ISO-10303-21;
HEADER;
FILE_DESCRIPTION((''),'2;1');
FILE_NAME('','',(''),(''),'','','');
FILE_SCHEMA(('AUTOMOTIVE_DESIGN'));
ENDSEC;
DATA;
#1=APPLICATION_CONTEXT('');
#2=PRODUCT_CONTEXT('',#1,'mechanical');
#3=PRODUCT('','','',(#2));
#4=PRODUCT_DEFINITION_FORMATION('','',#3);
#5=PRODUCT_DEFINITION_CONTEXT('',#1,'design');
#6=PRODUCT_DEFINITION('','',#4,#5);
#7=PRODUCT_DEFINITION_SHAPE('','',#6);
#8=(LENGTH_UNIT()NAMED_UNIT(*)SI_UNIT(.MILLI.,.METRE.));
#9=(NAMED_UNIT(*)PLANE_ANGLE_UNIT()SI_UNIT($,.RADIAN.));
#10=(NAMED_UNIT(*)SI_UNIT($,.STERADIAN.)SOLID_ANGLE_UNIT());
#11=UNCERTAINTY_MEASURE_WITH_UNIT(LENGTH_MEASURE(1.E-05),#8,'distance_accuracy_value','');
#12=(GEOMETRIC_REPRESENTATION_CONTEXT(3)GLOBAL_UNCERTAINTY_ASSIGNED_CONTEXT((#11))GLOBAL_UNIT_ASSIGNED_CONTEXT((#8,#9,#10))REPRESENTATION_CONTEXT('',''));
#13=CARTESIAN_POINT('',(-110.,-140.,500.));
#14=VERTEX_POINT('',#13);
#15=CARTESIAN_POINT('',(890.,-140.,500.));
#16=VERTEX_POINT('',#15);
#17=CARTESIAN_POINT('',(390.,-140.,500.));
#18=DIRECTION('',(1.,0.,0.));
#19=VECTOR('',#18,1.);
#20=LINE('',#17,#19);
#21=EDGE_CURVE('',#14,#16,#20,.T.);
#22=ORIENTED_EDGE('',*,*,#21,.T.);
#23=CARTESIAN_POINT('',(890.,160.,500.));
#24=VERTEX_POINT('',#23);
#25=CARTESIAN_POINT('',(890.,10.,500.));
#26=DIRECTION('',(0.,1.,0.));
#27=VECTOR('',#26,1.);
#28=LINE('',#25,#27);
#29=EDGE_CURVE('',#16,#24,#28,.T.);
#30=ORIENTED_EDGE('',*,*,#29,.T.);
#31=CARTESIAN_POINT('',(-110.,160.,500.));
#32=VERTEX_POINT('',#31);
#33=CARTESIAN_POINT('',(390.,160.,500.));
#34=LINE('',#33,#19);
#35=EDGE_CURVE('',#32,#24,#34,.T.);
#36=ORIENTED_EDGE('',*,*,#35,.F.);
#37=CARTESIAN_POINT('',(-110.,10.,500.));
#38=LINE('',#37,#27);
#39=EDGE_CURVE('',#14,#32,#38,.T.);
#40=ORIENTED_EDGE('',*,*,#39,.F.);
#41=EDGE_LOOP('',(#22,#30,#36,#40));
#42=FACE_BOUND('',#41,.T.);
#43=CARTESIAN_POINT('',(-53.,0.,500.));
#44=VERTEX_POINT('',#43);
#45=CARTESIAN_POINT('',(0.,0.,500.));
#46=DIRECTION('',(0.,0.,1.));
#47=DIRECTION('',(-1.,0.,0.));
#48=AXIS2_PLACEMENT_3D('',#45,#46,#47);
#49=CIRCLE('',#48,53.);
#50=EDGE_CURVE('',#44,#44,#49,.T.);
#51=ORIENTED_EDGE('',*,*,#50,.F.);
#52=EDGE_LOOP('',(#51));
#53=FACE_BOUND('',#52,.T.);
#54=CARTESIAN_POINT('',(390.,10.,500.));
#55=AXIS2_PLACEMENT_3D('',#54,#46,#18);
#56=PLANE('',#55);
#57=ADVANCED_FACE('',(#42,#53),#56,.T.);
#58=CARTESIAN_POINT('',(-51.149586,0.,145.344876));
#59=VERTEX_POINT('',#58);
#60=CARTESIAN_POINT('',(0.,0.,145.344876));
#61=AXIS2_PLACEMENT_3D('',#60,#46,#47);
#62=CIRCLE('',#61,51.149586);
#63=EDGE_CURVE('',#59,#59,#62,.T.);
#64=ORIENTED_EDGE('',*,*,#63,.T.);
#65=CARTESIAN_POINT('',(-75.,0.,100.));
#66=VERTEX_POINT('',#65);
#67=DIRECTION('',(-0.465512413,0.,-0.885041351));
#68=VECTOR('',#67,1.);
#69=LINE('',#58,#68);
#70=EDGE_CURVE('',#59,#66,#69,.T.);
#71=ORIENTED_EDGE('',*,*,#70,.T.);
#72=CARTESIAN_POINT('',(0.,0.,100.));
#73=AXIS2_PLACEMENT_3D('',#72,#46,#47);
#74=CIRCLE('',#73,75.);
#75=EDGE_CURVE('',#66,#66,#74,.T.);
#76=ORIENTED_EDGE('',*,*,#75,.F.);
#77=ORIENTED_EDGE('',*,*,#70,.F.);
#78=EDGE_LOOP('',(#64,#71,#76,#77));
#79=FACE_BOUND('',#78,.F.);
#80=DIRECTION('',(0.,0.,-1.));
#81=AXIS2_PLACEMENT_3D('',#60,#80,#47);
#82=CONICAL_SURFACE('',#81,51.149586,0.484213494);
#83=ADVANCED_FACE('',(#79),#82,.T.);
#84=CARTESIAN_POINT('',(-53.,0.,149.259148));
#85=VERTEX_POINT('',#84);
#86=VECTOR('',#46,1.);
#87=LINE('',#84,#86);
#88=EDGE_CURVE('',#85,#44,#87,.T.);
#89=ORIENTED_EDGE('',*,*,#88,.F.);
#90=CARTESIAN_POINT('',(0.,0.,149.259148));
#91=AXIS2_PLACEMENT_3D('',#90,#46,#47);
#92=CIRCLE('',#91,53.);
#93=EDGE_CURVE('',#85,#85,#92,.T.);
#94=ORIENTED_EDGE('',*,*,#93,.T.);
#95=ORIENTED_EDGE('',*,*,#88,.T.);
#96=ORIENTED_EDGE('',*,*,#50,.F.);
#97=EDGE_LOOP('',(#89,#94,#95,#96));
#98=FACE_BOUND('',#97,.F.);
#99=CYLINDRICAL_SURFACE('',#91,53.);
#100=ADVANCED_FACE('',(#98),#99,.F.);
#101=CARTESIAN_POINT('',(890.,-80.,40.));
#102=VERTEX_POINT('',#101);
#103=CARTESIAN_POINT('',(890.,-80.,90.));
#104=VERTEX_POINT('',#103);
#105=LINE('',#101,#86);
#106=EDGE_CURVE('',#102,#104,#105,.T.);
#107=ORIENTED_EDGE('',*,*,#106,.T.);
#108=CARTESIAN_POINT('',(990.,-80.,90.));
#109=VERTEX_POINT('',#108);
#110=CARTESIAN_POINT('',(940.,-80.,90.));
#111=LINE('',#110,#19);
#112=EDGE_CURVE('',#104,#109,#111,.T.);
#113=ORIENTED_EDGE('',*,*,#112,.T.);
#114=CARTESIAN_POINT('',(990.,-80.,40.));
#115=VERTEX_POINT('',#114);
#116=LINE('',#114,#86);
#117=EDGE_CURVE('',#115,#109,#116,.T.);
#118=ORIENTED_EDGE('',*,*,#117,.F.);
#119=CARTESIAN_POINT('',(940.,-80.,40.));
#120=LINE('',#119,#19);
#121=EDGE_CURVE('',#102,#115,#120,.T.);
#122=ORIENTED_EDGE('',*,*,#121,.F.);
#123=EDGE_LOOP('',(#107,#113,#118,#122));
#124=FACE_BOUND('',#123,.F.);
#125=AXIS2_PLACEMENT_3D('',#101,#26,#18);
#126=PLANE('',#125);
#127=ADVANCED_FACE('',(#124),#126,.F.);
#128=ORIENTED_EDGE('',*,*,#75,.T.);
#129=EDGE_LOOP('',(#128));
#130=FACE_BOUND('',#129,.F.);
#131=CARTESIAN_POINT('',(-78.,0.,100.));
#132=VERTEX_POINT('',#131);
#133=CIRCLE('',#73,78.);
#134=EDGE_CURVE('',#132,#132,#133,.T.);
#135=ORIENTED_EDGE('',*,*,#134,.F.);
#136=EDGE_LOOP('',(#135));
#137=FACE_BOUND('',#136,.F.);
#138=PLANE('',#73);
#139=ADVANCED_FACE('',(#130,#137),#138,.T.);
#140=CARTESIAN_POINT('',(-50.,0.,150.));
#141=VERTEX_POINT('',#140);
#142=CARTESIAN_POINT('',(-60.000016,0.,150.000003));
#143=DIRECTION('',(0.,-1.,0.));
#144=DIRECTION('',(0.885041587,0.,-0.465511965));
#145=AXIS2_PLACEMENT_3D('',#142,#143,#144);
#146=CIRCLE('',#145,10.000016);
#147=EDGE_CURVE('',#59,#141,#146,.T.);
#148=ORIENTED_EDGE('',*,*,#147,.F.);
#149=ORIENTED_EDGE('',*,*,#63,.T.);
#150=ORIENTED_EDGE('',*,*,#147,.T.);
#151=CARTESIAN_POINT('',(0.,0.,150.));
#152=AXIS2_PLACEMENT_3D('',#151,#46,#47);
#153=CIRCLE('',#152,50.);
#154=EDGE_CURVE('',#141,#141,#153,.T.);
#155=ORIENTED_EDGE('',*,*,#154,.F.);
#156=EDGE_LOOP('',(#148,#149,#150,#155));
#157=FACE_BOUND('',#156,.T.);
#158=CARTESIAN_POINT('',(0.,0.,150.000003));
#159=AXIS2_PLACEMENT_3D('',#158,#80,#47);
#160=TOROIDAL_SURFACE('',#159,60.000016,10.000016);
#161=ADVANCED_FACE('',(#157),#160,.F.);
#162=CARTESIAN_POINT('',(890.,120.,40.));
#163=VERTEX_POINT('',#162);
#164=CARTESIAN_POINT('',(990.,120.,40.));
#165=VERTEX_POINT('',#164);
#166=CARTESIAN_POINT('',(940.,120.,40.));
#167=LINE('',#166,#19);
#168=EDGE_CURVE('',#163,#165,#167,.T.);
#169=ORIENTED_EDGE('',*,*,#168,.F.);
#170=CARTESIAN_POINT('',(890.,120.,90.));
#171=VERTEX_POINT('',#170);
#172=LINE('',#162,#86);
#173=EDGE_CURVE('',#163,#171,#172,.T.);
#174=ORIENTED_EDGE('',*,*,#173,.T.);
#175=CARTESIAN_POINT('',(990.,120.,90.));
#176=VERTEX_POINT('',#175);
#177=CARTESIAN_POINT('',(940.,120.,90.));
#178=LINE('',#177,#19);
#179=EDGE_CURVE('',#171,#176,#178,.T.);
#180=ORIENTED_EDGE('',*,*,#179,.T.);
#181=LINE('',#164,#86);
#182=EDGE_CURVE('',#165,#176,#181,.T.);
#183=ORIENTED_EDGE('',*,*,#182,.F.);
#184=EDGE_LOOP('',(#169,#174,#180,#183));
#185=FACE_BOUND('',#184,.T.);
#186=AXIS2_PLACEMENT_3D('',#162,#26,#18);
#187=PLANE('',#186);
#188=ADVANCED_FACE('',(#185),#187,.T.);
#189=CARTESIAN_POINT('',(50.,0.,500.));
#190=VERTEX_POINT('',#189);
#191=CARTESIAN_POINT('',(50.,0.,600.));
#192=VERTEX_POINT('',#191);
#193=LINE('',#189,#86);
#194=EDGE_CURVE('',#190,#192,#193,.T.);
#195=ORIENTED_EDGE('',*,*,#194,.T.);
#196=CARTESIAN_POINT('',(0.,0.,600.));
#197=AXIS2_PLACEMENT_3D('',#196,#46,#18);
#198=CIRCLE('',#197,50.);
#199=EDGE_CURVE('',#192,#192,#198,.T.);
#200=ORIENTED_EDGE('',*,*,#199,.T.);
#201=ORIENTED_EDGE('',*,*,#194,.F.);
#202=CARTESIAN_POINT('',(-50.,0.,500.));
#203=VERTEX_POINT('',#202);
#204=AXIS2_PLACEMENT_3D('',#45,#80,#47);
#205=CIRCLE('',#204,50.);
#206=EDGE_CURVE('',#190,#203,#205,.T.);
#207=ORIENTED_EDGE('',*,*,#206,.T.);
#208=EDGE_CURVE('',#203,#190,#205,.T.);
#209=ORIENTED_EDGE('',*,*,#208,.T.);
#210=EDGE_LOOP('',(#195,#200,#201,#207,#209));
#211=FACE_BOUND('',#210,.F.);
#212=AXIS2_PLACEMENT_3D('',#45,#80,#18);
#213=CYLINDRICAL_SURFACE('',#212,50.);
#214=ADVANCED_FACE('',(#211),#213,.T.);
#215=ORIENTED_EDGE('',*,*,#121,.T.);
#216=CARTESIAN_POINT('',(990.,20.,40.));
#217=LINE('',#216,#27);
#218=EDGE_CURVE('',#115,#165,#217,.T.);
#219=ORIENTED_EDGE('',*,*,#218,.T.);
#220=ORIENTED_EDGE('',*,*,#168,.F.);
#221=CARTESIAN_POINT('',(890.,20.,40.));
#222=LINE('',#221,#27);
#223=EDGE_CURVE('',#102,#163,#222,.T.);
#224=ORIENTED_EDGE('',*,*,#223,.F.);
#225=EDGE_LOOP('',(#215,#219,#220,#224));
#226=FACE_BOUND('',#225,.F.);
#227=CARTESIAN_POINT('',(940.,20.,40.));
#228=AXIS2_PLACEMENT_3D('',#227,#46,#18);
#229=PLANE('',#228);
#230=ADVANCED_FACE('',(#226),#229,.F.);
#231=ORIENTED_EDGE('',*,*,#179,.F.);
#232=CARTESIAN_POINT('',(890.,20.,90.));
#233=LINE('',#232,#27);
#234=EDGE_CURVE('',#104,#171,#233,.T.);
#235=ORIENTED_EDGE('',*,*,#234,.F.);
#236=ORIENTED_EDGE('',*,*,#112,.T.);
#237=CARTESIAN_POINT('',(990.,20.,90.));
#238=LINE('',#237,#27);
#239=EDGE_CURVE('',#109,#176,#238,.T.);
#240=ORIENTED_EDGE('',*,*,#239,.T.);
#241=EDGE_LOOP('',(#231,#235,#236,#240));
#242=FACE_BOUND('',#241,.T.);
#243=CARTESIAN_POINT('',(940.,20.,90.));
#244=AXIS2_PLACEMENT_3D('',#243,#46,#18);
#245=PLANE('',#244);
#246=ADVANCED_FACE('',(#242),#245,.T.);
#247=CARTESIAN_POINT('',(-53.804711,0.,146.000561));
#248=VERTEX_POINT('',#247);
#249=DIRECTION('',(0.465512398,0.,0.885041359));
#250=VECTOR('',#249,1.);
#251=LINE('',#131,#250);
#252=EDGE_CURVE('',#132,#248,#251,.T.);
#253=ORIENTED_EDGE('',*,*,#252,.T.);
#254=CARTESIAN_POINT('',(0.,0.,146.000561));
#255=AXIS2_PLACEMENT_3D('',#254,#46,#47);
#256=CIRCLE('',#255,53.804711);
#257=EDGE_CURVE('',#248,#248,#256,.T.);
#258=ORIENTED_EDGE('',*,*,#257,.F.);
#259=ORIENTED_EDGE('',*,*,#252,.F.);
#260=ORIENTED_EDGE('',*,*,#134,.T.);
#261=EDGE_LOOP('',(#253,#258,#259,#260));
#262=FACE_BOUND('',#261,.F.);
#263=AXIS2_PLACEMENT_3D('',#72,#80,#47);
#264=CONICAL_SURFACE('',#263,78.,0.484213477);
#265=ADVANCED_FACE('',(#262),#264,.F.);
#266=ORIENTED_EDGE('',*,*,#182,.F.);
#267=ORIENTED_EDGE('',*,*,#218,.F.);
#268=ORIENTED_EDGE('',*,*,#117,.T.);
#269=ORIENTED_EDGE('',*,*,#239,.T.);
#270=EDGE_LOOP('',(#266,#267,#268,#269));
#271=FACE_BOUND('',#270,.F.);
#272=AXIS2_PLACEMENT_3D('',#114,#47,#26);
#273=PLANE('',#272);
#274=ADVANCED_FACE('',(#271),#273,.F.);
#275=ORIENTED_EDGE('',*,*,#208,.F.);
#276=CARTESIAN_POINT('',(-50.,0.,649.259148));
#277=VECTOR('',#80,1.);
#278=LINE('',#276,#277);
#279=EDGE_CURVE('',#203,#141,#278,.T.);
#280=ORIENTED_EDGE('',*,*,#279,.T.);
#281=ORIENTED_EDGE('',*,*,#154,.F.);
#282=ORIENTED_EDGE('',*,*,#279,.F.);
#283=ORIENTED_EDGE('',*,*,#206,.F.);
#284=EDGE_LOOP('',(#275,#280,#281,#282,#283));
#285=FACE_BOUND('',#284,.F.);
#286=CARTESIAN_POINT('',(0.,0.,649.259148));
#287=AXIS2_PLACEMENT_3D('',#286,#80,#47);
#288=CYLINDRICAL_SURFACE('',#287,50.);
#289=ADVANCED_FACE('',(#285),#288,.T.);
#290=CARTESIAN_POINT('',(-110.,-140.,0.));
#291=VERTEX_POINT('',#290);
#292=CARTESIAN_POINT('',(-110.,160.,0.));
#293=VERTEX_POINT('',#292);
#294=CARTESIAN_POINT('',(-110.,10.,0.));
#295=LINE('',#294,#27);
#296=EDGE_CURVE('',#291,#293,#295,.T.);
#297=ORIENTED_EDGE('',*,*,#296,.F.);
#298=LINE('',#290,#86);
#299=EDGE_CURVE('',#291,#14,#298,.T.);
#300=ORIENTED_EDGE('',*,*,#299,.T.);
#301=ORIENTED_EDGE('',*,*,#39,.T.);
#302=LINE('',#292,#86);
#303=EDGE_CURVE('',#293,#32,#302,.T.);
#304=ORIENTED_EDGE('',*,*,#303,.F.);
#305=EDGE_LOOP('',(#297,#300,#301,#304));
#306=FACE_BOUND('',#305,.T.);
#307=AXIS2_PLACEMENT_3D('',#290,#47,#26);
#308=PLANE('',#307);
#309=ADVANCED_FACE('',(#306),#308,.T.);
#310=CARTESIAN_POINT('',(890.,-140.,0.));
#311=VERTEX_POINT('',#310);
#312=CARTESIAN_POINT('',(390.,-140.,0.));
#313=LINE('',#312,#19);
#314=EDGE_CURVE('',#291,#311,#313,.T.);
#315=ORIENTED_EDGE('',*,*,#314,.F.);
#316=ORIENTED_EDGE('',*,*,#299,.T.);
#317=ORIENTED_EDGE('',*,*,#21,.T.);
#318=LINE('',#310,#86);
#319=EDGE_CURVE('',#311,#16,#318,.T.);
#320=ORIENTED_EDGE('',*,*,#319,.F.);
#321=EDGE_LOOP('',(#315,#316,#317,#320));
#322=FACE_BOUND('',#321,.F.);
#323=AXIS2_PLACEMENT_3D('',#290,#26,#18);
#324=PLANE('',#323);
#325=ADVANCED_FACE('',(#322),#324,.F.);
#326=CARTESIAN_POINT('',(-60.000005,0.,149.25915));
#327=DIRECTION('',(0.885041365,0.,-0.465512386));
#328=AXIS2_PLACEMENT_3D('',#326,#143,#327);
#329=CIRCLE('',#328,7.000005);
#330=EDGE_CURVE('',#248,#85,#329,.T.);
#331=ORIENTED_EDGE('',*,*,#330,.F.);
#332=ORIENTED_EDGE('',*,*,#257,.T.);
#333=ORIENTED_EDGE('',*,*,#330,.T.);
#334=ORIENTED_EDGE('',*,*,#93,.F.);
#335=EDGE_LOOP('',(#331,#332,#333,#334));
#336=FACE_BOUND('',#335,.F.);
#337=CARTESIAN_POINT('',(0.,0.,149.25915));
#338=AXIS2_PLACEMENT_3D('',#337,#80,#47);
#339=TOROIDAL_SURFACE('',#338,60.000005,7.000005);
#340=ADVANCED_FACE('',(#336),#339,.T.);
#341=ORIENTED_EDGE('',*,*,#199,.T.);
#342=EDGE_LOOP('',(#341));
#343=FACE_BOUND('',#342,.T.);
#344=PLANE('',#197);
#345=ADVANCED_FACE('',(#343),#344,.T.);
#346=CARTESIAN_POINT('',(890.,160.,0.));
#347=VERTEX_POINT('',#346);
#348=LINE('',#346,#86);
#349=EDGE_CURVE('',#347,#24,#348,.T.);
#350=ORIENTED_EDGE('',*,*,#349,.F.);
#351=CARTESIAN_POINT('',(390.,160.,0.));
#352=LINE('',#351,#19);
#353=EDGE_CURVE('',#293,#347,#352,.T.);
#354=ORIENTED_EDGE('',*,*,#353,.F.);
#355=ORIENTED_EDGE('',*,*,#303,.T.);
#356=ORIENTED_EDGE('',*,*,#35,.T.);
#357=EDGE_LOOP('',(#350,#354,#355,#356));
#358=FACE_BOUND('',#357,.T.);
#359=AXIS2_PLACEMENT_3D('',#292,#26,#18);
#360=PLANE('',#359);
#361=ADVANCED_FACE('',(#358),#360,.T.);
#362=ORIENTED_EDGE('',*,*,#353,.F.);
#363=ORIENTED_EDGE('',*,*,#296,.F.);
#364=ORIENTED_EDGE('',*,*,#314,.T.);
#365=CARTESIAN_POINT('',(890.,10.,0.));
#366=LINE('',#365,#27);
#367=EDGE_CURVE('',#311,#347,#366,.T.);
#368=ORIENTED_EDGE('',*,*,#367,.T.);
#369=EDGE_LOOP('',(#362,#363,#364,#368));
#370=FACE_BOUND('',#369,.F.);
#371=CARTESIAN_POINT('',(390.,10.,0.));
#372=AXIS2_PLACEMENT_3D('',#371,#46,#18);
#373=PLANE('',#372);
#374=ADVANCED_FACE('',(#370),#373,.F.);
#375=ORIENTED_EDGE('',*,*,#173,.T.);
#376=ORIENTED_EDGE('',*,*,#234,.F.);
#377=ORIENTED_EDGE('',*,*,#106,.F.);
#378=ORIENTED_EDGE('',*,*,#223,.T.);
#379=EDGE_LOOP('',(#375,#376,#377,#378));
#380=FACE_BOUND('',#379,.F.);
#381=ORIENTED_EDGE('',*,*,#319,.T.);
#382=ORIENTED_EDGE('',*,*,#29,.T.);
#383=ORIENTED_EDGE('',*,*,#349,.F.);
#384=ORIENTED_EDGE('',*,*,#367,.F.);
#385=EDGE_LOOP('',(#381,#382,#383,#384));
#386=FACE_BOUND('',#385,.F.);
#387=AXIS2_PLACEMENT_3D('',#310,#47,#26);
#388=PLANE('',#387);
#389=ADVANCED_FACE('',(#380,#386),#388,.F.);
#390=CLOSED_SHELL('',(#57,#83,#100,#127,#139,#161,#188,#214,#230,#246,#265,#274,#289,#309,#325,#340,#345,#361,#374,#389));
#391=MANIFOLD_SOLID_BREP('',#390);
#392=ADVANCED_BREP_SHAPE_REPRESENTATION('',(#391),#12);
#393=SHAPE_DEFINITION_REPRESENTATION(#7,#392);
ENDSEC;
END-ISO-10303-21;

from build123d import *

# Parameters (mm, degrees)
BOX001_W     = 100
BOX001_H     = 200
BOX001_DEPTH = 50
BOX_W        = 1000
BOX_H        = 300
BOX_DEPTH    = 500
SKETCH001_R  = 50
PAD_DEPTH    = 100


with BuildPart() as box001:
    # Box001 → Box001 (new body)
    with BuildSketch(Plane(origin=(890, -80, 40), x_dir=(1, 0, 0), z_dir=(0, 0, 1))):
        with Locations((50, 100)):
            Rectangle(BOX001_W, BOX001_H)
    extrude(amount=BOX001_DEPTH)


with BuildPart() as body:
    # Sketch → Revolution (revolve)
    with BuildSketch(Plane.XZ):
        with BuildLine():
            Line((-50, 649.259148), (-50, 150))
            ThreePointArc((-51.149586, 145.344876), (-50.29165, 147.602515), (-50, 150))
            Line((-51.149586, 145.344876), (-75, 100))
            Line((-75, 100), (-78, 100))
            Line((-78, 100), (-53.804711, 146.000561))
            ThreePointArc((-53.804711, 146.000561), (-53.204155, 147.580909), (-53, 149.259148))
            Line((-53, 149.259148), (-53, 649.259148))
            Line((-53, 649.259148), (-50, 649.259148))
        make_face()
    revolve(axis=Axis((0, 0, 0), (0, 0, 1)))


with BuildPart() as fusion:
    # Box → Box (new body)
    with BuildSketch(Plane(origin=(-110, -140, 0), x_dir=(1, 0, 0), z_dir=(0, 0, 1))):
        with Locations((500, 150)):
            Rectangle(BOX_W, BOX_H)
    extrude(amount=BOX_DEPTH)

    # Cut: cut Body
    add(body.part, mode=Mode.SUBTRACT)

    # Sketch001 (on Face14 of BaseFeature) → Pad (new body)
    with BuildSketch(Plane.XY.offset(500)):
        Circle(SKETCH001_R)
    extrude(amount=PAD_DEPTH)

    # Fusion: union Box001
    add(box001.part)


solid = fusion.part
